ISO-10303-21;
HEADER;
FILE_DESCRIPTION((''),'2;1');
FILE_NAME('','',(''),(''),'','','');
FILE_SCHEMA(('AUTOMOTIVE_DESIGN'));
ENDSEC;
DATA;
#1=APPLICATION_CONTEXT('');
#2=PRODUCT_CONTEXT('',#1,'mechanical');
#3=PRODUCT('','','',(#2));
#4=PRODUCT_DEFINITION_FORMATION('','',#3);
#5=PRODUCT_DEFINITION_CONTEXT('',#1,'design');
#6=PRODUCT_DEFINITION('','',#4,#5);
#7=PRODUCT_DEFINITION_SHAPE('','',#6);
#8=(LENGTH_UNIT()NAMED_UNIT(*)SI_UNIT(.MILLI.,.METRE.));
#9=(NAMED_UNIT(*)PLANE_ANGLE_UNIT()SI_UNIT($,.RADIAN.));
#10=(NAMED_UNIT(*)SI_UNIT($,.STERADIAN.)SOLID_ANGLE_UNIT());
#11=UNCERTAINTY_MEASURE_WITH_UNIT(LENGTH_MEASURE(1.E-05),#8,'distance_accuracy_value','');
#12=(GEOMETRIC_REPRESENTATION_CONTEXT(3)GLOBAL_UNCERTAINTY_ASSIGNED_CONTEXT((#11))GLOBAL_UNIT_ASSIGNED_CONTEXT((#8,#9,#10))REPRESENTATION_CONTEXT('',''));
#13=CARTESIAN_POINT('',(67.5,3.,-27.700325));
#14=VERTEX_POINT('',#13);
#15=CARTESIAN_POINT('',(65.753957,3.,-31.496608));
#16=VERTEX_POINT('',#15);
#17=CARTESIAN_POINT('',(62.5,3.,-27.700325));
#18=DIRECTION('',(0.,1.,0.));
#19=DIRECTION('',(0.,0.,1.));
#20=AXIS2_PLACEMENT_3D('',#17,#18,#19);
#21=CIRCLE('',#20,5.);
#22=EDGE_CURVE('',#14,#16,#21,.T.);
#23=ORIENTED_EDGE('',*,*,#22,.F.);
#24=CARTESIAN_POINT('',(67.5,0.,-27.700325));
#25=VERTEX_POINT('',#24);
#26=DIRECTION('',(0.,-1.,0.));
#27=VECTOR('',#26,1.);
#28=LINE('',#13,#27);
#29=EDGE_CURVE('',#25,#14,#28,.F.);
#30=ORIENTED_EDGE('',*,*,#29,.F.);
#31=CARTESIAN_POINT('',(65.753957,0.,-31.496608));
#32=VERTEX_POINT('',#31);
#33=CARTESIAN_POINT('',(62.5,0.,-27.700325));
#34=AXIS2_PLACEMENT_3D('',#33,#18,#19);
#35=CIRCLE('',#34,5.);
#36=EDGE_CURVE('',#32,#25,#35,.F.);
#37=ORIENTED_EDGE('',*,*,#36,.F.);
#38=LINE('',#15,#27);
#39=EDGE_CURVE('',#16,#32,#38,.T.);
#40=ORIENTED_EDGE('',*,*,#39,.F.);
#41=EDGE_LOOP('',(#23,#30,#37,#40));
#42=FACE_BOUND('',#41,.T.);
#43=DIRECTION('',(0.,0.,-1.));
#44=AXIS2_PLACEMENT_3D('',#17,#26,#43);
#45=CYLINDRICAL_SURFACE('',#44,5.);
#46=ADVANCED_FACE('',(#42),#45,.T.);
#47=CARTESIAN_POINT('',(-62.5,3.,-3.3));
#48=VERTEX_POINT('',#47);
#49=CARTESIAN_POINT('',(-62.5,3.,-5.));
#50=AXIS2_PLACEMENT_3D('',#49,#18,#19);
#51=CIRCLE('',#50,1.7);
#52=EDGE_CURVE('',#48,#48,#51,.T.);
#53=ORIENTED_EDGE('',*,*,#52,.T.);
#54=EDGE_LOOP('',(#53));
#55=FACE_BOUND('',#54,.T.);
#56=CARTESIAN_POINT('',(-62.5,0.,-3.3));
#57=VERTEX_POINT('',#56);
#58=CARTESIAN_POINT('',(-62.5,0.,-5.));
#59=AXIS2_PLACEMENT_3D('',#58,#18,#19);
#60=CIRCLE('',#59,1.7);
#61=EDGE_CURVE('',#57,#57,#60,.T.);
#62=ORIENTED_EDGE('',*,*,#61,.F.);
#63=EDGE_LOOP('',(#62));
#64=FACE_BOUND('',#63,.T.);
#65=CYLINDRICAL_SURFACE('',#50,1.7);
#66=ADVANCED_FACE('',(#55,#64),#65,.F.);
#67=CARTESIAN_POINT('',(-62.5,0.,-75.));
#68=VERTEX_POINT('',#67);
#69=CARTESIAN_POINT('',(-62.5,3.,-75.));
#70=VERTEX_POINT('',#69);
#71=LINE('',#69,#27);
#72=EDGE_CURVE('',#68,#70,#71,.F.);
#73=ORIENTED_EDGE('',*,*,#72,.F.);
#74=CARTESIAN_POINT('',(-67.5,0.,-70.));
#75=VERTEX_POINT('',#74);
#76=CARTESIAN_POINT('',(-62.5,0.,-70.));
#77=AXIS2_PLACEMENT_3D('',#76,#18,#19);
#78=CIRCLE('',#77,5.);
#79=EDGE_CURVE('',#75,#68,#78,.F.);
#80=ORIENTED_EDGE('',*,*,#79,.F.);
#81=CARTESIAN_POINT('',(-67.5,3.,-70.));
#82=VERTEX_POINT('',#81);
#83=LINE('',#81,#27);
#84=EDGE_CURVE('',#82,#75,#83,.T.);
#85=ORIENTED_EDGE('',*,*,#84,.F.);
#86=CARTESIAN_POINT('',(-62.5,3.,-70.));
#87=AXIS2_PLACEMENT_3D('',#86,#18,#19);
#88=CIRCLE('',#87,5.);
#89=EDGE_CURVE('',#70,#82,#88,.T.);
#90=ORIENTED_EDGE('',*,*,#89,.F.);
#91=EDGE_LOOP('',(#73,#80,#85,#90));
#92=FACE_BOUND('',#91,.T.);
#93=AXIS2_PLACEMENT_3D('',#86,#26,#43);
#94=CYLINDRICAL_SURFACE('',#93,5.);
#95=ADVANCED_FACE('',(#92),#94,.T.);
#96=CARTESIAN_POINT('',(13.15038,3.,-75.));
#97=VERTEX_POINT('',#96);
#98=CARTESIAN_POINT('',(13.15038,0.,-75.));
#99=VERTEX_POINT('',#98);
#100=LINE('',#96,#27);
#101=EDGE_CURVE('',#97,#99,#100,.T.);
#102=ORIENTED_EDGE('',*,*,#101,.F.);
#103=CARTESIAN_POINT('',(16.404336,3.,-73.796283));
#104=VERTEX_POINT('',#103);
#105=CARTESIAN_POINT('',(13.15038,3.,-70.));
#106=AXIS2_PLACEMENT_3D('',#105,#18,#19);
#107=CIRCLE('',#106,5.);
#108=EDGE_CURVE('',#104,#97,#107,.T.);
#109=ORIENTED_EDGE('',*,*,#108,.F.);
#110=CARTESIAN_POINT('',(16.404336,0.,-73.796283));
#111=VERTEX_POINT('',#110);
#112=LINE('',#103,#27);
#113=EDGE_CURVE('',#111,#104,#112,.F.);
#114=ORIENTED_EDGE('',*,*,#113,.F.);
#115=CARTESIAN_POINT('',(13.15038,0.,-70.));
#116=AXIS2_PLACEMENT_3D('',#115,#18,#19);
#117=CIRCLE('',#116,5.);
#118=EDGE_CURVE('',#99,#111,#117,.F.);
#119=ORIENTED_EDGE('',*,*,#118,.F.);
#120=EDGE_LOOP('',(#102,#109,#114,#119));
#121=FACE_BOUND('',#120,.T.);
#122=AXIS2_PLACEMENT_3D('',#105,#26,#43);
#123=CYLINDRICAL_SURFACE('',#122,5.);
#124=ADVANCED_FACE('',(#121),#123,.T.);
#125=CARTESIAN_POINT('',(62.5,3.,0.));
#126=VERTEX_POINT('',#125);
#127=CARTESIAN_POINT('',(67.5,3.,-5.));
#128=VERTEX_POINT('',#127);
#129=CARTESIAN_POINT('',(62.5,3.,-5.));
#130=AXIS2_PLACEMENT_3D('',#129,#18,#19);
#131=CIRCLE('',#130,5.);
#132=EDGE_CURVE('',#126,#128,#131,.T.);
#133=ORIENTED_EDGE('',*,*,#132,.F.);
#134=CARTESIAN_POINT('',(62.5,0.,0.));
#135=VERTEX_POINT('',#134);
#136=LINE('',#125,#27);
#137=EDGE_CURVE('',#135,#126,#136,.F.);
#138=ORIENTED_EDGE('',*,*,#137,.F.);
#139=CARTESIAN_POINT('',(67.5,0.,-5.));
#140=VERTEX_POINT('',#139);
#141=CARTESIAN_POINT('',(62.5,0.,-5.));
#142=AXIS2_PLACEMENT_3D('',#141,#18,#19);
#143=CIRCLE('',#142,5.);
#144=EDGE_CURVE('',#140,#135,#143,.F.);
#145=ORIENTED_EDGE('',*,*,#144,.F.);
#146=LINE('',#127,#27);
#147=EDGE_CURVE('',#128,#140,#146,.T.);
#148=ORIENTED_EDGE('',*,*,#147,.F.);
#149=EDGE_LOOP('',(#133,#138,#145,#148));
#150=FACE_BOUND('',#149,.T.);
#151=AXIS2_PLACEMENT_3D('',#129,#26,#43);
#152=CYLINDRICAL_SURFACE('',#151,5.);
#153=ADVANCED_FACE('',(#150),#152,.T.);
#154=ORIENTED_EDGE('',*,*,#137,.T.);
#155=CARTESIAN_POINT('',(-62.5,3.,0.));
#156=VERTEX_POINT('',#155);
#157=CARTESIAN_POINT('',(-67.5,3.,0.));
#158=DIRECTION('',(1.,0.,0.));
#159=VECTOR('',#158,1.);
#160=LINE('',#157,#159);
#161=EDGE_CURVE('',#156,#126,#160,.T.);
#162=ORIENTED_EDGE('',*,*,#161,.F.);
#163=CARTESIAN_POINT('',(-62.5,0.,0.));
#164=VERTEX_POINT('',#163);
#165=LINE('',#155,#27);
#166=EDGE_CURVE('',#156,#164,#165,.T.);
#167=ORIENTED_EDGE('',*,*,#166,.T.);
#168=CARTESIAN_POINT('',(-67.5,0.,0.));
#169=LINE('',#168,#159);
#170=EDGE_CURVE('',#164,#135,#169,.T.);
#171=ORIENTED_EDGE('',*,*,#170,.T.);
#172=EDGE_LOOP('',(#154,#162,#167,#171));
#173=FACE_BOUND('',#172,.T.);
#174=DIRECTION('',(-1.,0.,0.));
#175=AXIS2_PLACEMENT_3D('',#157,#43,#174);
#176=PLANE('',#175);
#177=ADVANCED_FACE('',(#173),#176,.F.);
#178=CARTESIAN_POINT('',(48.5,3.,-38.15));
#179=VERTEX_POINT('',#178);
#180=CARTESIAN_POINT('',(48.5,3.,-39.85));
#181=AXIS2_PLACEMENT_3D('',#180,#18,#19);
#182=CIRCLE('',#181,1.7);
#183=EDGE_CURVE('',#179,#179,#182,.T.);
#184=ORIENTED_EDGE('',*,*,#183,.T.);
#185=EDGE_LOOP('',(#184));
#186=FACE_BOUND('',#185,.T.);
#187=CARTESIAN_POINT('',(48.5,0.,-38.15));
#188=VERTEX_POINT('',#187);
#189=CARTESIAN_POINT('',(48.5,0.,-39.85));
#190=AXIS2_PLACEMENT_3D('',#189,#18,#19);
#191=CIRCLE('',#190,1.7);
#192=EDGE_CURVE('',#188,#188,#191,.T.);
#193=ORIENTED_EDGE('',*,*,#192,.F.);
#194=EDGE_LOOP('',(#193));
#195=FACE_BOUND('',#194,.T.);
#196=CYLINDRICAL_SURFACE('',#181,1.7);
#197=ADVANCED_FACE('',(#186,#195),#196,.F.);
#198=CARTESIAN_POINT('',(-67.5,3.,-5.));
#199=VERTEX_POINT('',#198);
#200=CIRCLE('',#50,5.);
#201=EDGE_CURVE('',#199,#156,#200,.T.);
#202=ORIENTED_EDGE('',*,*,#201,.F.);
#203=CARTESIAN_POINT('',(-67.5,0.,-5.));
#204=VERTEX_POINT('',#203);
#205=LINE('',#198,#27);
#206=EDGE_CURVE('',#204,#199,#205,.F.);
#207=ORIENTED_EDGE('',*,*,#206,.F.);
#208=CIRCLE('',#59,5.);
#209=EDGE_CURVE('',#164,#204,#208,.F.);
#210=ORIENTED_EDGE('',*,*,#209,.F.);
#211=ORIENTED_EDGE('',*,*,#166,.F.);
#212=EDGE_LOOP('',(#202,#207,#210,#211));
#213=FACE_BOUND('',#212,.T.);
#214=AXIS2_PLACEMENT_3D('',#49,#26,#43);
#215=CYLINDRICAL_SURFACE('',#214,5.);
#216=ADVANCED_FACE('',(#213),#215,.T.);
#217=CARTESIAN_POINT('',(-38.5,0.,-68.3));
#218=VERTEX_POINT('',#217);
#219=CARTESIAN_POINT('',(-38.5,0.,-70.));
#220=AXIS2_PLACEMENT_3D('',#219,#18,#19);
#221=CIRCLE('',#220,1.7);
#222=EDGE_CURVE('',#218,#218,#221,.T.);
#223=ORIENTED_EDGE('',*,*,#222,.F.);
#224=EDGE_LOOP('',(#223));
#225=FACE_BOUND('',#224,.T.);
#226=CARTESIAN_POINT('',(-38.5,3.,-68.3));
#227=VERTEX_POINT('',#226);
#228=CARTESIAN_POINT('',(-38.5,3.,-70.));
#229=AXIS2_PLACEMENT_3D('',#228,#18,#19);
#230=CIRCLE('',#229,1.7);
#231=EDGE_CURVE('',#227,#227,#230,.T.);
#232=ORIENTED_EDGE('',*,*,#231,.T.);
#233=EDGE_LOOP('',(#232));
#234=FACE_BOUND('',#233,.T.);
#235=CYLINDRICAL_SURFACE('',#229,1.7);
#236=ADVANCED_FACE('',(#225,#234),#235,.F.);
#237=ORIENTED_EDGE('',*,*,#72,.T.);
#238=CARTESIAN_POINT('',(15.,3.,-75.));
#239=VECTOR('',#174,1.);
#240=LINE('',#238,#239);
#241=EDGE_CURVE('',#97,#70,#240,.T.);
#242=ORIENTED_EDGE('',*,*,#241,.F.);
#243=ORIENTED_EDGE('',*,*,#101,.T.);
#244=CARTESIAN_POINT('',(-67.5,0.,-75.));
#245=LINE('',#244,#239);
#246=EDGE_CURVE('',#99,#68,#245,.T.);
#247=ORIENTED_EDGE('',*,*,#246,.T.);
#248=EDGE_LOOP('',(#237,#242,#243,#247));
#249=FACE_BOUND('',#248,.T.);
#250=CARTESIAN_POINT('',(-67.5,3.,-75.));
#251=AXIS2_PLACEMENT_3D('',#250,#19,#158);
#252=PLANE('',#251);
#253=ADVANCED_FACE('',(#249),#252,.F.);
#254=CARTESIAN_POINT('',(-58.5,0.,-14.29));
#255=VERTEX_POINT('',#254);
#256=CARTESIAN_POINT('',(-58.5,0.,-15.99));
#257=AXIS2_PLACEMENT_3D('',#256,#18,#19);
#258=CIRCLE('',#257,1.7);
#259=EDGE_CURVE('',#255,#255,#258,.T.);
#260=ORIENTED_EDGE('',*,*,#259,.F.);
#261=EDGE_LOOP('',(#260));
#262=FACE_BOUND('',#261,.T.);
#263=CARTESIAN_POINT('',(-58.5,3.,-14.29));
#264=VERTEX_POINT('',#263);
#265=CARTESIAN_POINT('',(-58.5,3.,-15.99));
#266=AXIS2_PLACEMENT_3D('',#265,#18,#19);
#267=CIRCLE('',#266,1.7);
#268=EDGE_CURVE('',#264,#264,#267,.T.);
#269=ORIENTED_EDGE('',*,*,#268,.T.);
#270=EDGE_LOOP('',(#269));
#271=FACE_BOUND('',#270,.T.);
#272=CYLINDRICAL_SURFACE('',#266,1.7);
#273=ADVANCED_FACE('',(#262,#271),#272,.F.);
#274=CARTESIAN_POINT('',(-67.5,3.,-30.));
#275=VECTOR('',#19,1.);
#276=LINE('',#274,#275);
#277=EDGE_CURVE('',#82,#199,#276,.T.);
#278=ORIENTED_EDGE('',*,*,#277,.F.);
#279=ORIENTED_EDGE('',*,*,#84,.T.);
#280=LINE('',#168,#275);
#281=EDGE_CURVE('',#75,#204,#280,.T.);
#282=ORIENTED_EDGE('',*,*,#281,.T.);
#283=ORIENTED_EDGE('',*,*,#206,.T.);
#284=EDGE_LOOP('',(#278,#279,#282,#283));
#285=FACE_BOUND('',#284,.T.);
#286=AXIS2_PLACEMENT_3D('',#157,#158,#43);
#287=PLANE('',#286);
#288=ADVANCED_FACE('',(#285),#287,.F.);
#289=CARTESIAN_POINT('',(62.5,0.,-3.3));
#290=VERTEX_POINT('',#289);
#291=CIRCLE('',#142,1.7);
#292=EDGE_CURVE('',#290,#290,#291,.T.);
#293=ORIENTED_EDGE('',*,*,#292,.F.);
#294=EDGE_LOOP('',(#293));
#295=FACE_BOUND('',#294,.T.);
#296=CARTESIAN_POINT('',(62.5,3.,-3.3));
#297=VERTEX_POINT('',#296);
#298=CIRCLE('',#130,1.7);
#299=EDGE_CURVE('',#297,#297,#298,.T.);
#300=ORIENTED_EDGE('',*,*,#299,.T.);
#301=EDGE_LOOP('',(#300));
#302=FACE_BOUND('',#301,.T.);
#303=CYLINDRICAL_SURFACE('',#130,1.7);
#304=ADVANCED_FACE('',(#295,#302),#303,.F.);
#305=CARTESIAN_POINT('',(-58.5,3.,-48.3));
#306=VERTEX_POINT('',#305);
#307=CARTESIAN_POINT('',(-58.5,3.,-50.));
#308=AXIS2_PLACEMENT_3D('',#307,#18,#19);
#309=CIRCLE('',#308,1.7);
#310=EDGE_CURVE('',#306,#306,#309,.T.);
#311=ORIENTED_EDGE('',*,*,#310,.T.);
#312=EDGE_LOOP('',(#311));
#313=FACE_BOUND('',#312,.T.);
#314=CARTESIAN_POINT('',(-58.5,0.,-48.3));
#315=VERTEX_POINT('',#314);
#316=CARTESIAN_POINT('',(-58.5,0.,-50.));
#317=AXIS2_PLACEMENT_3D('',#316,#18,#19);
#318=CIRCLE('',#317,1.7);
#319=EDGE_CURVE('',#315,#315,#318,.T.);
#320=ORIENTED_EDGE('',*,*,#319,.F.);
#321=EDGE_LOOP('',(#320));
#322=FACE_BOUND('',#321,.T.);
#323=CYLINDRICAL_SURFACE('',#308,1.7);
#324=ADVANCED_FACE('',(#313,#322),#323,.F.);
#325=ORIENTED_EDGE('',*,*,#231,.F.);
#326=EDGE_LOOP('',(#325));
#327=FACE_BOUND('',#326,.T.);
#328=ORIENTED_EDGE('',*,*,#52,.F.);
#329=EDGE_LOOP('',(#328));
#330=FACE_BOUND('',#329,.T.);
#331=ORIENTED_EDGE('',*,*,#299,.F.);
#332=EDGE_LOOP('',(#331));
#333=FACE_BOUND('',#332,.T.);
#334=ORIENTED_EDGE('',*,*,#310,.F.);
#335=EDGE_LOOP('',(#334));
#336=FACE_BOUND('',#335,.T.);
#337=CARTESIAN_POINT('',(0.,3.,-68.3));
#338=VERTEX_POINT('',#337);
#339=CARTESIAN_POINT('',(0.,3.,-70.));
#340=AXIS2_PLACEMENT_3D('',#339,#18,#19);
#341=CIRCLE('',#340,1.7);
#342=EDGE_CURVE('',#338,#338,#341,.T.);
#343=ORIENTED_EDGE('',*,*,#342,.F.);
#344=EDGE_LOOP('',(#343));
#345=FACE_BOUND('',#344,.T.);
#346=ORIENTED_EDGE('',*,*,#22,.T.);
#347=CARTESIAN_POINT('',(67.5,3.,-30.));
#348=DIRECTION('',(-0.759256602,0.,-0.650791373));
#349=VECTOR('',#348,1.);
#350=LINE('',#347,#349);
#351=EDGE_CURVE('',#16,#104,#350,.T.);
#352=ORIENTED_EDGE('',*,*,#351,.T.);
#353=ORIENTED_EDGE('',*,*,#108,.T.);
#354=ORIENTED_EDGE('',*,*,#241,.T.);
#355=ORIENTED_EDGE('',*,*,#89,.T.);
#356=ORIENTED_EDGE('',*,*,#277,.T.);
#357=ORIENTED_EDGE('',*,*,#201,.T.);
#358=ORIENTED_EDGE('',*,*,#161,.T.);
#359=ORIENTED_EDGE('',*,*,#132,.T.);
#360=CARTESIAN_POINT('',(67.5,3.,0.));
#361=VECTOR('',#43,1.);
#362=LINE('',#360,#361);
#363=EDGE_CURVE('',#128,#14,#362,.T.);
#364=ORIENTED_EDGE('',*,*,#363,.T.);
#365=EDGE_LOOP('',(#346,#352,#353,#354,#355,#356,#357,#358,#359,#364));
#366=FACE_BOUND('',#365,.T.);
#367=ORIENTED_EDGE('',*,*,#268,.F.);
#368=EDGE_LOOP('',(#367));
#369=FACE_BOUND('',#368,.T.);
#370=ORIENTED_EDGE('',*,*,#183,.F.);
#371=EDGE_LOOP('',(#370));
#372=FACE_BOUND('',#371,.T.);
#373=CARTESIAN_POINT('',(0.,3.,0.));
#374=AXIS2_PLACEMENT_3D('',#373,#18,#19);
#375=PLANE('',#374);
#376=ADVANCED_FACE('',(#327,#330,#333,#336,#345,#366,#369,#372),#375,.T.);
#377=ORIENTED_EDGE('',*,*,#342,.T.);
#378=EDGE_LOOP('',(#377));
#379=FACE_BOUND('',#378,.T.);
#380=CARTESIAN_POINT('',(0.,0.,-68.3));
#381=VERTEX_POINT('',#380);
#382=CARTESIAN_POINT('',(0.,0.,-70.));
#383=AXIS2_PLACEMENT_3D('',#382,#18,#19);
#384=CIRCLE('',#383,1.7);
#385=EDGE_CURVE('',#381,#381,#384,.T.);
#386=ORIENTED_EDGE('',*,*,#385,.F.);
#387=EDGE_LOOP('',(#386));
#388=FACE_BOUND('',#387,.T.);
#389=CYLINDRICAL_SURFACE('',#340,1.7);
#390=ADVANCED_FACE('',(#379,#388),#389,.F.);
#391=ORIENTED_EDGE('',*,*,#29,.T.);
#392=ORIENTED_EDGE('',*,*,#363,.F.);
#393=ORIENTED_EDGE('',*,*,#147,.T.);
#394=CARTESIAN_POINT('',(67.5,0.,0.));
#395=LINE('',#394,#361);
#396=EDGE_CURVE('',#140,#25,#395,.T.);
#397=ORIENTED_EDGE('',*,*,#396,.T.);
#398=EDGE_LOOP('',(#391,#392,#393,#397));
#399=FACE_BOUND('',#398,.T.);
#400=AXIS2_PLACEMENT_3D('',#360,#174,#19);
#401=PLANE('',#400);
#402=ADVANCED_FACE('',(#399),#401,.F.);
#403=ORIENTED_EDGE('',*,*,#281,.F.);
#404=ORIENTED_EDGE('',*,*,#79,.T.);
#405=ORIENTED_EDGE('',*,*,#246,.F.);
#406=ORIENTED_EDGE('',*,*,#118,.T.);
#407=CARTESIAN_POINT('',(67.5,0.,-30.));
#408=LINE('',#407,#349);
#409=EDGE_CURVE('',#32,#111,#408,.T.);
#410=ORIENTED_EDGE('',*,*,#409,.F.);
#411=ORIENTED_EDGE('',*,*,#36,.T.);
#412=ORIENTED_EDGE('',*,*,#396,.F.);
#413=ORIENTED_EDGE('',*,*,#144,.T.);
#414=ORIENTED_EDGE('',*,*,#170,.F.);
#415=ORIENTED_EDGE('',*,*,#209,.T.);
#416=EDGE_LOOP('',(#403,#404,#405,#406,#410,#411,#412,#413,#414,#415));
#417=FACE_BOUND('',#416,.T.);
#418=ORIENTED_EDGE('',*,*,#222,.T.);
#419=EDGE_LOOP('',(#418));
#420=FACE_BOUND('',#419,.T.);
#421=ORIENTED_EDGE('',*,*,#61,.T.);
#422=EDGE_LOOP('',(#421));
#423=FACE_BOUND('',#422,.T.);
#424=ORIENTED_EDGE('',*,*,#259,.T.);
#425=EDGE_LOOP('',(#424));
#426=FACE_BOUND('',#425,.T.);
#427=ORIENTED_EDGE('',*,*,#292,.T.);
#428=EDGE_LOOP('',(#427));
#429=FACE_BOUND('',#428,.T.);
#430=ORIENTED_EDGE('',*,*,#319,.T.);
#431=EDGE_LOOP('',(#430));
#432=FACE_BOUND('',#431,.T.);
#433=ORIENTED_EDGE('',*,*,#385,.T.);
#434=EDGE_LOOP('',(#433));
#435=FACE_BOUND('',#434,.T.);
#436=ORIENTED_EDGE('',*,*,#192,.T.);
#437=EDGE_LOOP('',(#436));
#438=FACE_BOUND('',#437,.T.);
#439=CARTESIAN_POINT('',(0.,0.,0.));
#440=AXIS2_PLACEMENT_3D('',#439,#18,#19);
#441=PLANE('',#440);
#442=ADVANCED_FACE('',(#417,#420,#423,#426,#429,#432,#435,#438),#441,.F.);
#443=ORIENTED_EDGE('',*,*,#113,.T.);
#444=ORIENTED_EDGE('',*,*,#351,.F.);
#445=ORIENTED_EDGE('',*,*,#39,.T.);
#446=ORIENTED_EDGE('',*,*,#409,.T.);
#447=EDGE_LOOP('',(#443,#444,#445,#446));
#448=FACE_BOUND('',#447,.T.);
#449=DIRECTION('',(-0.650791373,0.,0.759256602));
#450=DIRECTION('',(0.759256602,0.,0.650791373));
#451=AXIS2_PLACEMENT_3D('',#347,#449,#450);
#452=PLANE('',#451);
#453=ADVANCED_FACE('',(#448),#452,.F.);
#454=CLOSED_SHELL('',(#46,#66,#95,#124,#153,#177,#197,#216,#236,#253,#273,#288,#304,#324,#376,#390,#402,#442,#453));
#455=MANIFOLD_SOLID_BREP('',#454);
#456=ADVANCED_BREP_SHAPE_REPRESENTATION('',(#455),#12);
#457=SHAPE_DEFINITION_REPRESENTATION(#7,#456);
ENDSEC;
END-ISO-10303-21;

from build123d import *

# Parameters (mm, degrees)
BOSS_EXTRU_1_DEPTH      = 3
CONG_1_R                = 5
ESQUISSE2_R             = 1
ESQUISSE2_R_2           = 1.5
ENL_V_MAT_EXTRU_2_DEPTH = 3
D_GAGEMENT_M31_D        = 3.4
D_GAGEMENT_M31_DEPTH    = 10
D_GAGEMENT_M31_TIP      = 1.021463052


with BuildPart() as part:
    # Esquisse1 → Boss.-Extru.1 (new body)
    with BuildSketch(Plane(origin=(0, 0, 0), x_dir=(1, 0, 0), z_dir=(0, 1, 0))):
        Polygon((-67.5, 0), (67.5, 0), (67.5, 30), (15, 75), (-15, 75), (-67.5, 75), (-67.5, 30), align=None)
    extrude(amount=BOSS_EXTRU_1_DEPTH)

    # Congé1
    cong_1_edges = [part.edges().sort_by_distance(p)[0] for p in [
        (67.5, 1.5, 0),
        (-67.5, 1.5, 0),
        (-67.5, 1.5, -75),
        (15, 1.5, -75),
        (67.5, 1.5, -30),
    ]]
    fillet(cong_1_edges, radius=CONG_1_R)

    # Esquisse2 → Enlèv. mat.-Extru.2 (cut)
    with BuildSketch(Plane(origin=(0, 3, 0), x_dir=(1, 0, 0), z_dir=(0, 1, 0))):
        with Locations(Location((-62.5, 5, 0), (0, 0, 270))):
            Circle(ESQUISSE2_R)
        with Locations(Location((62.5, 5, 0), (0, 0, 270))):
            Circle(ESQUISSE2_R)
        with Locations(Location((0, 70, 0), (0, 0, 270))):
            Circle(ESQUISSE2_R)
        with Locations(Location((-58.5, 15.99, 0), (0, 0, 270))):
            Circle(ESQUISSE2_R_2)
        with Locations(Location((-58.5, 50, 0), (0, 0, 270))):
            Circle(ESQUISSE2_R_2)
        with Locations(Location((-38.5, 70, 0), (0, 0, 270))):
            Circle(ESQUISSE2_R_2)
        with Locations(Location((48.5, 39.85, 0), (0, 0, 270))):
            Circle(ESQUISSE2_R_2)
    extrude(amount=-ENL_V_MAT_EXTRU_2_DEPTH, mode=Mode.SUBTRACT)

    # Dégagement M31
    with Locations(Plane(origin=(0, 3, 0), x_dir=(1, 0, 0), z_dir=(0, 1, 0))):
        with Locations((-62.5, 5), (62.5, 5), (0, 70), (-58.5, 15.99), (-58.5, 50), (-38.5, 70), (48.5, 39.85)):
            Hole(D_GAGEMENT_M31_D / 2, depth=D_GAGEMENT_M31_DEPTH)
            with Locations((0, 0, -(D_GAGEMENT_M31_DEPTH + D_GAGEMENT_M31_TIP / 2))):  # 118° drill point
                Cone(0, D_GAGEMENT_M31_D / 2, D_GAGEMENT_M31_TIP, mode=Mode.SUBTRACT)


solid = part.part
